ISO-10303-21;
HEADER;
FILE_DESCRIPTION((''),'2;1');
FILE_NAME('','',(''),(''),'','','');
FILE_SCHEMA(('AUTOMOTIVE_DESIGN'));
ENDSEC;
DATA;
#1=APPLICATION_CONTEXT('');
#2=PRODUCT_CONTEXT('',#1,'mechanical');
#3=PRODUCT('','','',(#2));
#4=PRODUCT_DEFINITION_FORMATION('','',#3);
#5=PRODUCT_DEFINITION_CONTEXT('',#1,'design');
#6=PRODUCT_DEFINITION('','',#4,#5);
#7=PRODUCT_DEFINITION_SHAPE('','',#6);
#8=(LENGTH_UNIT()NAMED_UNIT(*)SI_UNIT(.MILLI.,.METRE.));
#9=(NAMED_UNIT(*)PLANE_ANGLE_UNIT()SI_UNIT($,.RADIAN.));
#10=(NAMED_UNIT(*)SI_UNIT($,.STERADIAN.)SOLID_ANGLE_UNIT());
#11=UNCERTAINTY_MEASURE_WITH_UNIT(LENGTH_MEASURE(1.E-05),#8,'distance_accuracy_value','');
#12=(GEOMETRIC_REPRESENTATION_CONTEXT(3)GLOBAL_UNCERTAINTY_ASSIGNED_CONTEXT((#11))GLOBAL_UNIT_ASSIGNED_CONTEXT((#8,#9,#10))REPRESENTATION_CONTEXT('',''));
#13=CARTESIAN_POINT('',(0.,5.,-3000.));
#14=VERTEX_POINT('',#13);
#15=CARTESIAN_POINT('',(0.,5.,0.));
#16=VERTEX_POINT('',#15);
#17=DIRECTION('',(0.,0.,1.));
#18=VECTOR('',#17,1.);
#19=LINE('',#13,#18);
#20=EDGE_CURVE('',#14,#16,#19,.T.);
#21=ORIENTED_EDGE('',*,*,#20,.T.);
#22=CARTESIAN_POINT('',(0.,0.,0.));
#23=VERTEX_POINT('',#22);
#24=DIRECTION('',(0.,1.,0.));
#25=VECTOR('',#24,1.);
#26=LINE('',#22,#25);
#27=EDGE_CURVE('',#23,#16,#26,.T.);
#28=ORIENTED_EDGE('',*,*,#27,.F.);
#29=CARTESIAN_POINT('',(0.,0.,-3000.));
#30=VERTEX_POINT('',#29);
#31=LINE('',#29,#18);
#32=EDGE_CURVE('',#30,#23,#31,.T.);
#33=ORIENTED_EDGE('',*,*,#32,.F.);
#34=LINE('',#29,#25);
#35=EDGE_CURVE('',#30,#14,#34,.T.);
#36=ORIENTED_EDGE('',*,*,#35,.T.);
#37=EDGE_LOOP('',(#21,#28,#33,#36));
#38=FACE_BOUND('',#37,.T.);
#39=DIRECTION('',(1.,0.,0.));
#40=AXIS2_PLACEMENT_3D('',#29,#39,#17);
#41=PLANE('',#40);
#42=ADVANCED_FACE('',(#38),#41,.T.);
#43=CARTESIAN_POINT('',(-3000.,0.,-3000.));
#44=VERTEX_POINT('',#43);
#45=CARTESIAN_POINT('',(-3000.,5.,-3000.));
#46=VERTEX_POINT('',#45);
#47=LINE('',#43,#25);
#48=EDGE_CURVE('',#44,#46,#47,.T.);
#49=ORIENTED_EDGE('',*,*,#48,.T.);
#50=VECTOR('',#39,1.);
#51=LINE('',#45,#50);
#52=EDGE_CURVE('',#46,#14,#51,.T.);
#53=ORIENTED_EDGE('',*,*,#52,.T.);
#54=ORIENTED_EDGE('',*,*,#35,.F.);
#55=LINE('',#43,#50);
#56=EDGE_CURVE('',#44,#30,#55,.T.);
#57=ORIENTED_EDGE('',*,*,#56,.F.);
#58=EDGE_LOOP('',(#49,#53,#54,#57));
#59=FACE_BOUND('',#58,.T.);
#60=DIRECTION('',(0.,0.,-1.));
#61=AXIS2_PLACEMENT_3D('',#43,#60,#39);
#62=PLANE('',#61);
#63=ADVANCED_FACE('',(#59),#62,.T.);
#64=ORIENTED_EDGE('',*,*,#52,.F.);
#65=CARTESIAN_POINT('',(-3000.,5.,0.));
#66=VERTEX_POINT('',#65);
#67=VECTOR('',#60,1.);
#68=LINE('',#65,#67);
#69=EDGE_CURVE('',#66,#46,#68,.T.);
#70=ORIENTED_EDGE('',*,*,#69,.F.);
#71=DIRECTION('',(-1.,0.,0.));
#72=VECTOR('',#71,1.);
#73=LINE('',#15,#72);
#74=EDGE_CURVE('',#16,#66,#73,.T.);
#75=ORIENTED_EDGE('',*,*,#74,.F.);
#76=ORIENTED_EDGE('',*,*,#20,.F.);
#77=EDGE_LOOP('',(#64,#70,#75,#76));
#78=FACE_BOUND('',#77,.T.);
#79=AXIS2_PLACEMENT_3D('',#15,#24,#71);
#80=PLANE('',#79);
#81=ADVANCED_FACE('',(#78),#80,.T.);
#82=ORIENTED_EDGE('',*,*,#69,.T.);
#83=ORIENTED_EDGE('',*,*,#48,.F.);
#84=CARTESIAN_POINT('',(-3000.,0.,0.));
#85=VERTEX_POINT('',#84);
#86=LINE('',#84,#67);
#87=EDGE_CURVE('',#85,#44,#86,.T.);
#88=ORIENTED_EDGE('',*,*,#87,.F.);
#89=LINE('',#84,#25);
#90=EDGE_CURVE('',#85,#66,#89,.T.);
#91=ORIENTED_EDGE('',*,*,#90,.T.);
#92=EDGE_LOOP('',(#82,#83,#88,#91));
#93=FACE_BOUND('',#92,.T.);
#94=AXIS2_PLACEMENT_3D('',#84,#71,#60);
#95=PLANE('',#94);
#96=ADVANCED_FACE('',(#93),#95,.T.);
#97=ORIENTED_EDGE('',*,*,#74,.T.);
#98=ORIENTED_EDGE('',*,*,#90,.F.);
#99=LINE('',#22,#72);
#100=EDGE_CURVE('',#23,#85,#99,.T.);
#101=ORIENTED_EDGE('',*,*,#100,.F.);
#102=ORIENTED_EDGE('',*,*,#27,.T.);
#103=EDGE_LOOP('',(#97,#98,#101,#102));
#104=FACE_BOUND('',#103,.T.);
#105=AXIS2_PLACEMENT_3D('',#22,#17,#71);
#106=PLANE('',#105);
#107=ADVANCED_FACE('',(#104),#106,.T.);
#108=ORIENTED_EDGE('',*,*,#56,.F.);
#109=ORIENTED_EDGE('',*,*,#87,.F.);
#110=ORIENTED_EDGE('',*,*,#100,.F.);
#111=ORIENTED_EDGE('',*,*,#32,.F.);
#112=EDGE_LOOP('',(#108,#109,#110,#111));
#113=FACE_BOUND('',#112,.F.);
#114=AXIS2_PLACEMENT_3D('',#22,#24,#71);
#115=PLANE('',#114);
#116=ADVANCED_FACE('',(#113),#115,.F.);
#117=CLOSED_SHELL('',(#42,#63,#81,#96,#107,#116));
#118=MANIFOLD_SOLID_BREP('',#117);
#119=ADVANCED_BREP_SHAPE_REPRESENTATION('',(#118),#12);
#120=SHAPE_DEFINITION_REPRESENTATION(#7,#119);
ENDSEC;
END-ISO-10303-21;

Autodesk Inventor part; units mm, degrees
ref_plane "YZ Plane" through (0, 0, 0) normal (1, 0, 0) x (0, 1, 0)
ref_plane "XZ Plane" through (0, 0, 0) normal (0, 1, 0) x (-1, 0, 0)
ref_plane "XY Plane" through (0, 0, 0) normal (0, 0, 1) x (1, 0, 0)
sketch "Sketch1" plane through (0, 0, 0) normal (0, 1, 0) x (-1, 0, 0)
  line L0 (0, 0) -> (3000, 0)
  line L1 (3000, 0) -> (3000, -3000)
  line L2 (3000, -3000) -> (0, -3000)
  line L3 (0, -3000) -> (0, 0)
  dimension "d0" = 3000
  dimension "d1" = 3000
extrude "Extrusion1" add sketch "Sketch1" along normal blind 5
properties part number "Game_Mat"
